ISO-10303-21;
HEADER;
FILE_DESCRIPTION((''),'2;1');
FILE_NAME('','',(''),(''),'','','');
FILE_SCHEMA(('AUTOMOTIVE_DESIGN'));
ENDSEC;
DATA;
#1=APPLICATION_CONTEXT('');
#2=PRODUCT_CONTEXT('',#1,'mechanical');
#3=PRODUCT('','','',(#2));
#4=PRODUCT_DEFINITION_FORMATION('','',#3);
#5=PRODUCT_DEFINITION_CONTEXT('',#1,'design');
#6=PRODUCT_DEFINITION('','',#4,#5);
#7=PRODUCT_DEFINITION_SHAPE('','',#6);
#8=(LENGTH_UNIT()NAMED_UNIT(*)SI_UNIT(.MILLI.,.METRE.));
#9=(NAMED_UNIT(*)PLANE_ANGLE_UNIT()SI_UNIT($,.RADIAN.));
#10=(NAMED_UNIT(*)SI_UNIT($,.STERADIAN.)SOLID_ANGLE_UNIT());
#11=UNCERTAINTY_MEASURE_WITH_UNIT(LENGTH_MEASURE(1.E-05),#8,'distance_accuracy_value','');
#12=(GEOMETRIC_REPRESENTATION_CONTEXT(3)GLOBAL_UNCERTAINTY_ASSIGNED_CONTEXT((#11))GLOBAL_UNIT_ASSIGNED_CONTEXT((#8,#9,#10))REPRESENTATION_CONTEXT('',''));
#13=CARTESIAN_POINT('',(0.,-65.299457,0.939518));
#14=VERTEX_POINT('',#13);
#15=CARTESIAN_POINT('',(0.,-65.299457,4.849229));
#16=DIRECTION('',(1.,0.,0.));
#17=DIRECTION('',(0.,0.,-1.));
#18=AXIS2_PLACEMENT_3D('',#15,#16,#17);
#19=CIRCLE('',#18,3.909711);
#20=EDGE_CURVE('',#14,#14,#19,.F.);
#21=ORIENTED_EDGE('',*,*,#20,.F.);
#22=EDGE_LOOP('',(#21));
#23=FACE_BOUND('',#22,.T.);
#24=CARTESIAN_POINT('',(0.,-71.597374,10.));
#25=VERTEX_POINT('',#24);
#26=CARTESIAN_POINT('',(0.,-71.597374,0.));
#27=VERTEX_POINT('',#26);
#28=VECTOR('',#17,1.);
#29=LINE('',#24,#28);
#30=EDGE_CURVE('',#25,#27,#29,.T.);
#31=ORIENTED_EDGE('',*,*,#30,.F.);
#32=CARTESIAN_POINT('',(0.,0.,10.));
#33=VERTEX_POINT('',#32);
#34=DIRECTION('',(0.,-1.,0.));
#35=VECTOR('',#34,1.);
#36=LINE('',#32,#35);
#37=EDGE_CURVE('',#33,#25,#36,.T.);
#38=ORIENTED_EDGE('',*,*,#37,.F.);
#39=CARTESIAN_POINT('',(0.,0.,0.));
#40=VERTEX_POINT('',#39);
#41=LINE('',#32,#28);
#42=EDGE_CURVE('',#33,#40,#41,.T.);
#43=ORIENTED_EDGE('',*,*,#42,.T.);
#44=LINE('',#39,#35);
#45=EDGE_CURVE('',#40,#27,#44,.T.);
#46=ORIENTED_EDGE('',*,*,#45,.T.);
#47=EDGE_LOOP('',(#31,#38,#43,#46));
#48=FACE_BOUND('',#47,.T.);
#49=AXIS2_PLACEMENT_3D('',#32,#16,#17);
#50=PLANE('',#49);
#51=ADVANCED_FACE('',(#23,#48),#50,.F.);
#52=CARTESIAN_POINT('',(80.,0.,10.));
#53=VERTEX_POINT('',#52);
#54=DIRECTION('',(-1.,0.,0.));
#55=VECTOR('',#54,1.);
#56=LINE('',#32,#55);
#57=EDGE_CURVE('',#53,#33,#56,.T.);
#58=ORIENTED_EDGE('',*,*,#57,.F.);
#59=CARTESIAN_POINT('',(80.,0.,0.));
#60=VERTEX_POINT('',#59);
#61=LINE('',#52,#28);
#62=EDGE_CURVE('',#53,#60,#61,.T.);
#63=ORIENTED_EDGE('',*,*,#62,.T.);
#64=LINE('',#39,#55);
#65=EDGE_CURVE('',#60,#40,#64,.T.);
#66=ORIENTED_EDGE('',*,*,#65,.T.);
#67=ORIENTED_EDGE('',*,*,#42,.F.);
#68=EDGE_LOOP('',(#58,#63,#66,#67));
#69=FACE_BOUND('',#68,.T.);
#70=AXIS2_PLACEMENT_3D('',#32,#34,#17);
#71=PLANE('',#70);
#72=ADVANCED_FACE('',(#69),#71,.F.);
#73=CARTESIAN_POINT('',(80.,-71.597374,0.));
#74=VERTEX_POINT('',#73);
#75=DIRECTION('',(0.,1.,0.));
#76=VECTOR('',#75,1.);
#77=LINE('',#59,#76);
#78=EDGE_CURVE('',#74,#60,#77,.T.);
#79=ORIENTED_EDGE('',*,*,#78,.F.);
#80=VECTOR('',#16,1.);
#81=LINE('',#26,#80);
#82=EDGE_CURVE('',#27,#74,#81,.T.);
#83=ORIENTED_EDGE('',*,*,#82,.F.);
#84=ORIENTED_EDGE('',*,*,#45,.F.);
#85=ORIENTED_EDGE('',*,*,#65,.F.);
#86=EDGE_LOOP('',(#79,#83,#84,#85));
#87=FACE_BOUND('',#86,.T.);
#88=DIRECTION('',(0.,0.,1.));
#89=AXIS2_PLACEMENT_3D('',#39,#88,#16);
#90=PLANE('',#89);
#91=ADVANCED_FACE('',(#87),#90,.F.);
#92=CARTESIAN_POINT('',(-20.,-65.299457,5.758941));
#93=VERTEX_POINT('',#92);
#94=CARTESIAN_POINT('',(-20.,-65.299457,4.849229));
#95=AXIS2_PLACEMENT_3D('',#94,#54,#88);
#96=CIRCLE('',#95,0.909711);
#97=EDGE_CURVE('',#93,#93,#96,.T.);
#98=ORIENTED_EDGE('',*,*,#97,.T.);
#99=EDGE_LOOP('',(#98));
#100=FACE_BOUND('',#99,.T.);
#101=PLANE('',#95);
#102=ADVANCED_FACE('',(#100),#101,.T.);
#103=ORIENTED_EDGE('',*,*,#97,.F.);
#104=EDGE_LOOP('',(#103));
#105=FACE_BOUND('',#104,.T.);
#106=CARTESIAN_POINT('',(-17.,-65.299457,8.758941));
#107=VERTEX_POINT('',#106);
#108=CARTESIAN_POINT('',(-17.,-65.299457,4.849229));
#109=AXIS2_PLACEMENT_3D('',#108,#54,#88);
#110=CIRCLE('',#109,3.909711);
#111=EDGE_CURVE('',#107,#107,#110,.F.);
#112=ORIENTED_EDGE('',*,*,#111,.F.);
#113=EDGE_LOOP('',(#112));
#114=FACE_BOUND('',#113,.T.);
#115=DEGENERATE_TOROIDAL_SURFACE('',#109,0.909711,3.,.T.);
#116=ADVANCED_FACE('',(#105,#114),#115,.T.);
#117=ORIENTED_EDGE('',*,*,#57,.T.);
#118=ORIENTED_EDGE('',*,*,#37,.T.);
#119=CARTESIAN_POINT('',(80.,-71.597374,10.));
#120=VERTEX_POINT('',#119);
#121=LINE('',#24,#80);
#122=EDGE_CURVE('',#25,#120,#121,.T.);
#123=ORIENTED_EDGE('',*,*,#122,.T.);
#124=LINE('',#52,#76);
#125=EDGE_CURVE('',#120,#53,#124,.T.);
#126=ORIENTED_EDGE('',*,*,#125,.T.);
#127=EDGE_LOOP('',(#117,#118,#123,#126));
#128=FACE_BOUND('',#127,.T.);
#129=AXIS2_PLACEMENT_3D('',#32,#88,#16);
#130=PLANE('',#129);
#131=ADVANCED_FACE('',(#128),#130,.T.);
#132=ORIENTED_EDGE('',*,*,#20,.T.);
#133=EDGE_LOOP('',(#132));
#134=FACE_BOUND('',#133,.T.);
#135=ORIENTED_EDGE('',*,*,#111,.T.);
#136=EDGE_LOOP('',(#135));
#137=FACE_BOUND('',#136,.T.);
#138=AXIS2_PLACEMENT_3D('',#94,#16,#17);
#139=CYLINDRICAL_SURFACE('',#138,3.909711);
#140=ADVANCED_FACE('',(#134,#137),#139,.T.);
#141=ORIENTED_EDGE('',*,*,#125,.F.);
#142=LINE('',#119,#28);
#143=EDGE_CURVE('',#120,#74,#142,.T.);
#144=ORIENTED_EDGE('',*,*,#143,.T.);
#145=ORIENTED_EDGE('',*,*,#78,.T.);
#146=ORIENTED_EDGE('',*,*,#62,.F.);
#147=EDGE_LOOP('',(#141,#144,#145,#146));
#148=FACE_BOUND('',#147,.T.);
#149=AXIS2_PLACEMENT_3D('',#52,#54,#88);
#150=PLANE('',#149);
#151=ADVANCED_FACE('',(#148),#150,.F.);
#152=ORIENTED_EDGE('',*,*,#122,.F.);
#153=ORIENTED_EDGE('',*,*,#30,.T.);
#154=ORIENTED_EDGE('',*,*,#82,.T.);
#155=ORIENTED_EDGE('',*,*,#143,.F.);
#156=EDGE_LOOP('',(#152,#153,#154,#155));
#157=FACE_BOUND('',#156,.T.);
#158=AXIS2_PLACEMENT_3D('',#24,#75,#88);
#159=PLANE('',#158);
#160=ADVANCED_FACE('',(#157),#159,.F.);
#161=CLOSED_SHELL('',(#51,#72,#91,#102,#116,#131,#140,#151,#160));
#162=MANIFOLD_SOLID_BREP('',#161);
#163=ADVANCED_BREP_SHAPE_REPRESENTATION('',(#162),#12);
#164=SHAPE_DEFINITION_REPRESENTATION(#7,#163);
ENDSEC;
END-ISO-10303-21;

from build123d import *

# Parameters (mm, degrees)
SKETCH1_W           = 80
SKETCH1_H           = 71.597374179
BOSS_EXTRUDE1_DEPTH = 10
SKETCH2_R           = 3.909711409
BOSS_EXTRUDE2_DEPTH = 20
FILLET1_R           = 3


with BuildPart() as part:
    # Sketch1 → Boss-Extrude1 (new body)
    with BuildSketch(Plane.XY):
        with Locations((40, -35.798687089)):
            Rectangle(SKETCH1_W, SKETCH1_H)
    extrude(amount=BOSS_EXTRUDE1_DEPTH)

    # Sketch2 → Boss-Extrude2 (add)
    with BuildSketch(Plane.ZY):
        with Locations(Location((4.849229458, -65.299456518, 0), (0, 0, 180))):
            Circle(SKETCH2_R)
    extrude(amount=BOSS_EXTRUDE2_DEPTH)

    # Fillet1
    fillet1_edges = [part.edges().sort_by_distance(p)[0] for p in [
        (-20, -65.299456518, 8.758940867),
    ]]
    fillet(fillet1_edges, radius=FILLET1_R)


solid = part.part
